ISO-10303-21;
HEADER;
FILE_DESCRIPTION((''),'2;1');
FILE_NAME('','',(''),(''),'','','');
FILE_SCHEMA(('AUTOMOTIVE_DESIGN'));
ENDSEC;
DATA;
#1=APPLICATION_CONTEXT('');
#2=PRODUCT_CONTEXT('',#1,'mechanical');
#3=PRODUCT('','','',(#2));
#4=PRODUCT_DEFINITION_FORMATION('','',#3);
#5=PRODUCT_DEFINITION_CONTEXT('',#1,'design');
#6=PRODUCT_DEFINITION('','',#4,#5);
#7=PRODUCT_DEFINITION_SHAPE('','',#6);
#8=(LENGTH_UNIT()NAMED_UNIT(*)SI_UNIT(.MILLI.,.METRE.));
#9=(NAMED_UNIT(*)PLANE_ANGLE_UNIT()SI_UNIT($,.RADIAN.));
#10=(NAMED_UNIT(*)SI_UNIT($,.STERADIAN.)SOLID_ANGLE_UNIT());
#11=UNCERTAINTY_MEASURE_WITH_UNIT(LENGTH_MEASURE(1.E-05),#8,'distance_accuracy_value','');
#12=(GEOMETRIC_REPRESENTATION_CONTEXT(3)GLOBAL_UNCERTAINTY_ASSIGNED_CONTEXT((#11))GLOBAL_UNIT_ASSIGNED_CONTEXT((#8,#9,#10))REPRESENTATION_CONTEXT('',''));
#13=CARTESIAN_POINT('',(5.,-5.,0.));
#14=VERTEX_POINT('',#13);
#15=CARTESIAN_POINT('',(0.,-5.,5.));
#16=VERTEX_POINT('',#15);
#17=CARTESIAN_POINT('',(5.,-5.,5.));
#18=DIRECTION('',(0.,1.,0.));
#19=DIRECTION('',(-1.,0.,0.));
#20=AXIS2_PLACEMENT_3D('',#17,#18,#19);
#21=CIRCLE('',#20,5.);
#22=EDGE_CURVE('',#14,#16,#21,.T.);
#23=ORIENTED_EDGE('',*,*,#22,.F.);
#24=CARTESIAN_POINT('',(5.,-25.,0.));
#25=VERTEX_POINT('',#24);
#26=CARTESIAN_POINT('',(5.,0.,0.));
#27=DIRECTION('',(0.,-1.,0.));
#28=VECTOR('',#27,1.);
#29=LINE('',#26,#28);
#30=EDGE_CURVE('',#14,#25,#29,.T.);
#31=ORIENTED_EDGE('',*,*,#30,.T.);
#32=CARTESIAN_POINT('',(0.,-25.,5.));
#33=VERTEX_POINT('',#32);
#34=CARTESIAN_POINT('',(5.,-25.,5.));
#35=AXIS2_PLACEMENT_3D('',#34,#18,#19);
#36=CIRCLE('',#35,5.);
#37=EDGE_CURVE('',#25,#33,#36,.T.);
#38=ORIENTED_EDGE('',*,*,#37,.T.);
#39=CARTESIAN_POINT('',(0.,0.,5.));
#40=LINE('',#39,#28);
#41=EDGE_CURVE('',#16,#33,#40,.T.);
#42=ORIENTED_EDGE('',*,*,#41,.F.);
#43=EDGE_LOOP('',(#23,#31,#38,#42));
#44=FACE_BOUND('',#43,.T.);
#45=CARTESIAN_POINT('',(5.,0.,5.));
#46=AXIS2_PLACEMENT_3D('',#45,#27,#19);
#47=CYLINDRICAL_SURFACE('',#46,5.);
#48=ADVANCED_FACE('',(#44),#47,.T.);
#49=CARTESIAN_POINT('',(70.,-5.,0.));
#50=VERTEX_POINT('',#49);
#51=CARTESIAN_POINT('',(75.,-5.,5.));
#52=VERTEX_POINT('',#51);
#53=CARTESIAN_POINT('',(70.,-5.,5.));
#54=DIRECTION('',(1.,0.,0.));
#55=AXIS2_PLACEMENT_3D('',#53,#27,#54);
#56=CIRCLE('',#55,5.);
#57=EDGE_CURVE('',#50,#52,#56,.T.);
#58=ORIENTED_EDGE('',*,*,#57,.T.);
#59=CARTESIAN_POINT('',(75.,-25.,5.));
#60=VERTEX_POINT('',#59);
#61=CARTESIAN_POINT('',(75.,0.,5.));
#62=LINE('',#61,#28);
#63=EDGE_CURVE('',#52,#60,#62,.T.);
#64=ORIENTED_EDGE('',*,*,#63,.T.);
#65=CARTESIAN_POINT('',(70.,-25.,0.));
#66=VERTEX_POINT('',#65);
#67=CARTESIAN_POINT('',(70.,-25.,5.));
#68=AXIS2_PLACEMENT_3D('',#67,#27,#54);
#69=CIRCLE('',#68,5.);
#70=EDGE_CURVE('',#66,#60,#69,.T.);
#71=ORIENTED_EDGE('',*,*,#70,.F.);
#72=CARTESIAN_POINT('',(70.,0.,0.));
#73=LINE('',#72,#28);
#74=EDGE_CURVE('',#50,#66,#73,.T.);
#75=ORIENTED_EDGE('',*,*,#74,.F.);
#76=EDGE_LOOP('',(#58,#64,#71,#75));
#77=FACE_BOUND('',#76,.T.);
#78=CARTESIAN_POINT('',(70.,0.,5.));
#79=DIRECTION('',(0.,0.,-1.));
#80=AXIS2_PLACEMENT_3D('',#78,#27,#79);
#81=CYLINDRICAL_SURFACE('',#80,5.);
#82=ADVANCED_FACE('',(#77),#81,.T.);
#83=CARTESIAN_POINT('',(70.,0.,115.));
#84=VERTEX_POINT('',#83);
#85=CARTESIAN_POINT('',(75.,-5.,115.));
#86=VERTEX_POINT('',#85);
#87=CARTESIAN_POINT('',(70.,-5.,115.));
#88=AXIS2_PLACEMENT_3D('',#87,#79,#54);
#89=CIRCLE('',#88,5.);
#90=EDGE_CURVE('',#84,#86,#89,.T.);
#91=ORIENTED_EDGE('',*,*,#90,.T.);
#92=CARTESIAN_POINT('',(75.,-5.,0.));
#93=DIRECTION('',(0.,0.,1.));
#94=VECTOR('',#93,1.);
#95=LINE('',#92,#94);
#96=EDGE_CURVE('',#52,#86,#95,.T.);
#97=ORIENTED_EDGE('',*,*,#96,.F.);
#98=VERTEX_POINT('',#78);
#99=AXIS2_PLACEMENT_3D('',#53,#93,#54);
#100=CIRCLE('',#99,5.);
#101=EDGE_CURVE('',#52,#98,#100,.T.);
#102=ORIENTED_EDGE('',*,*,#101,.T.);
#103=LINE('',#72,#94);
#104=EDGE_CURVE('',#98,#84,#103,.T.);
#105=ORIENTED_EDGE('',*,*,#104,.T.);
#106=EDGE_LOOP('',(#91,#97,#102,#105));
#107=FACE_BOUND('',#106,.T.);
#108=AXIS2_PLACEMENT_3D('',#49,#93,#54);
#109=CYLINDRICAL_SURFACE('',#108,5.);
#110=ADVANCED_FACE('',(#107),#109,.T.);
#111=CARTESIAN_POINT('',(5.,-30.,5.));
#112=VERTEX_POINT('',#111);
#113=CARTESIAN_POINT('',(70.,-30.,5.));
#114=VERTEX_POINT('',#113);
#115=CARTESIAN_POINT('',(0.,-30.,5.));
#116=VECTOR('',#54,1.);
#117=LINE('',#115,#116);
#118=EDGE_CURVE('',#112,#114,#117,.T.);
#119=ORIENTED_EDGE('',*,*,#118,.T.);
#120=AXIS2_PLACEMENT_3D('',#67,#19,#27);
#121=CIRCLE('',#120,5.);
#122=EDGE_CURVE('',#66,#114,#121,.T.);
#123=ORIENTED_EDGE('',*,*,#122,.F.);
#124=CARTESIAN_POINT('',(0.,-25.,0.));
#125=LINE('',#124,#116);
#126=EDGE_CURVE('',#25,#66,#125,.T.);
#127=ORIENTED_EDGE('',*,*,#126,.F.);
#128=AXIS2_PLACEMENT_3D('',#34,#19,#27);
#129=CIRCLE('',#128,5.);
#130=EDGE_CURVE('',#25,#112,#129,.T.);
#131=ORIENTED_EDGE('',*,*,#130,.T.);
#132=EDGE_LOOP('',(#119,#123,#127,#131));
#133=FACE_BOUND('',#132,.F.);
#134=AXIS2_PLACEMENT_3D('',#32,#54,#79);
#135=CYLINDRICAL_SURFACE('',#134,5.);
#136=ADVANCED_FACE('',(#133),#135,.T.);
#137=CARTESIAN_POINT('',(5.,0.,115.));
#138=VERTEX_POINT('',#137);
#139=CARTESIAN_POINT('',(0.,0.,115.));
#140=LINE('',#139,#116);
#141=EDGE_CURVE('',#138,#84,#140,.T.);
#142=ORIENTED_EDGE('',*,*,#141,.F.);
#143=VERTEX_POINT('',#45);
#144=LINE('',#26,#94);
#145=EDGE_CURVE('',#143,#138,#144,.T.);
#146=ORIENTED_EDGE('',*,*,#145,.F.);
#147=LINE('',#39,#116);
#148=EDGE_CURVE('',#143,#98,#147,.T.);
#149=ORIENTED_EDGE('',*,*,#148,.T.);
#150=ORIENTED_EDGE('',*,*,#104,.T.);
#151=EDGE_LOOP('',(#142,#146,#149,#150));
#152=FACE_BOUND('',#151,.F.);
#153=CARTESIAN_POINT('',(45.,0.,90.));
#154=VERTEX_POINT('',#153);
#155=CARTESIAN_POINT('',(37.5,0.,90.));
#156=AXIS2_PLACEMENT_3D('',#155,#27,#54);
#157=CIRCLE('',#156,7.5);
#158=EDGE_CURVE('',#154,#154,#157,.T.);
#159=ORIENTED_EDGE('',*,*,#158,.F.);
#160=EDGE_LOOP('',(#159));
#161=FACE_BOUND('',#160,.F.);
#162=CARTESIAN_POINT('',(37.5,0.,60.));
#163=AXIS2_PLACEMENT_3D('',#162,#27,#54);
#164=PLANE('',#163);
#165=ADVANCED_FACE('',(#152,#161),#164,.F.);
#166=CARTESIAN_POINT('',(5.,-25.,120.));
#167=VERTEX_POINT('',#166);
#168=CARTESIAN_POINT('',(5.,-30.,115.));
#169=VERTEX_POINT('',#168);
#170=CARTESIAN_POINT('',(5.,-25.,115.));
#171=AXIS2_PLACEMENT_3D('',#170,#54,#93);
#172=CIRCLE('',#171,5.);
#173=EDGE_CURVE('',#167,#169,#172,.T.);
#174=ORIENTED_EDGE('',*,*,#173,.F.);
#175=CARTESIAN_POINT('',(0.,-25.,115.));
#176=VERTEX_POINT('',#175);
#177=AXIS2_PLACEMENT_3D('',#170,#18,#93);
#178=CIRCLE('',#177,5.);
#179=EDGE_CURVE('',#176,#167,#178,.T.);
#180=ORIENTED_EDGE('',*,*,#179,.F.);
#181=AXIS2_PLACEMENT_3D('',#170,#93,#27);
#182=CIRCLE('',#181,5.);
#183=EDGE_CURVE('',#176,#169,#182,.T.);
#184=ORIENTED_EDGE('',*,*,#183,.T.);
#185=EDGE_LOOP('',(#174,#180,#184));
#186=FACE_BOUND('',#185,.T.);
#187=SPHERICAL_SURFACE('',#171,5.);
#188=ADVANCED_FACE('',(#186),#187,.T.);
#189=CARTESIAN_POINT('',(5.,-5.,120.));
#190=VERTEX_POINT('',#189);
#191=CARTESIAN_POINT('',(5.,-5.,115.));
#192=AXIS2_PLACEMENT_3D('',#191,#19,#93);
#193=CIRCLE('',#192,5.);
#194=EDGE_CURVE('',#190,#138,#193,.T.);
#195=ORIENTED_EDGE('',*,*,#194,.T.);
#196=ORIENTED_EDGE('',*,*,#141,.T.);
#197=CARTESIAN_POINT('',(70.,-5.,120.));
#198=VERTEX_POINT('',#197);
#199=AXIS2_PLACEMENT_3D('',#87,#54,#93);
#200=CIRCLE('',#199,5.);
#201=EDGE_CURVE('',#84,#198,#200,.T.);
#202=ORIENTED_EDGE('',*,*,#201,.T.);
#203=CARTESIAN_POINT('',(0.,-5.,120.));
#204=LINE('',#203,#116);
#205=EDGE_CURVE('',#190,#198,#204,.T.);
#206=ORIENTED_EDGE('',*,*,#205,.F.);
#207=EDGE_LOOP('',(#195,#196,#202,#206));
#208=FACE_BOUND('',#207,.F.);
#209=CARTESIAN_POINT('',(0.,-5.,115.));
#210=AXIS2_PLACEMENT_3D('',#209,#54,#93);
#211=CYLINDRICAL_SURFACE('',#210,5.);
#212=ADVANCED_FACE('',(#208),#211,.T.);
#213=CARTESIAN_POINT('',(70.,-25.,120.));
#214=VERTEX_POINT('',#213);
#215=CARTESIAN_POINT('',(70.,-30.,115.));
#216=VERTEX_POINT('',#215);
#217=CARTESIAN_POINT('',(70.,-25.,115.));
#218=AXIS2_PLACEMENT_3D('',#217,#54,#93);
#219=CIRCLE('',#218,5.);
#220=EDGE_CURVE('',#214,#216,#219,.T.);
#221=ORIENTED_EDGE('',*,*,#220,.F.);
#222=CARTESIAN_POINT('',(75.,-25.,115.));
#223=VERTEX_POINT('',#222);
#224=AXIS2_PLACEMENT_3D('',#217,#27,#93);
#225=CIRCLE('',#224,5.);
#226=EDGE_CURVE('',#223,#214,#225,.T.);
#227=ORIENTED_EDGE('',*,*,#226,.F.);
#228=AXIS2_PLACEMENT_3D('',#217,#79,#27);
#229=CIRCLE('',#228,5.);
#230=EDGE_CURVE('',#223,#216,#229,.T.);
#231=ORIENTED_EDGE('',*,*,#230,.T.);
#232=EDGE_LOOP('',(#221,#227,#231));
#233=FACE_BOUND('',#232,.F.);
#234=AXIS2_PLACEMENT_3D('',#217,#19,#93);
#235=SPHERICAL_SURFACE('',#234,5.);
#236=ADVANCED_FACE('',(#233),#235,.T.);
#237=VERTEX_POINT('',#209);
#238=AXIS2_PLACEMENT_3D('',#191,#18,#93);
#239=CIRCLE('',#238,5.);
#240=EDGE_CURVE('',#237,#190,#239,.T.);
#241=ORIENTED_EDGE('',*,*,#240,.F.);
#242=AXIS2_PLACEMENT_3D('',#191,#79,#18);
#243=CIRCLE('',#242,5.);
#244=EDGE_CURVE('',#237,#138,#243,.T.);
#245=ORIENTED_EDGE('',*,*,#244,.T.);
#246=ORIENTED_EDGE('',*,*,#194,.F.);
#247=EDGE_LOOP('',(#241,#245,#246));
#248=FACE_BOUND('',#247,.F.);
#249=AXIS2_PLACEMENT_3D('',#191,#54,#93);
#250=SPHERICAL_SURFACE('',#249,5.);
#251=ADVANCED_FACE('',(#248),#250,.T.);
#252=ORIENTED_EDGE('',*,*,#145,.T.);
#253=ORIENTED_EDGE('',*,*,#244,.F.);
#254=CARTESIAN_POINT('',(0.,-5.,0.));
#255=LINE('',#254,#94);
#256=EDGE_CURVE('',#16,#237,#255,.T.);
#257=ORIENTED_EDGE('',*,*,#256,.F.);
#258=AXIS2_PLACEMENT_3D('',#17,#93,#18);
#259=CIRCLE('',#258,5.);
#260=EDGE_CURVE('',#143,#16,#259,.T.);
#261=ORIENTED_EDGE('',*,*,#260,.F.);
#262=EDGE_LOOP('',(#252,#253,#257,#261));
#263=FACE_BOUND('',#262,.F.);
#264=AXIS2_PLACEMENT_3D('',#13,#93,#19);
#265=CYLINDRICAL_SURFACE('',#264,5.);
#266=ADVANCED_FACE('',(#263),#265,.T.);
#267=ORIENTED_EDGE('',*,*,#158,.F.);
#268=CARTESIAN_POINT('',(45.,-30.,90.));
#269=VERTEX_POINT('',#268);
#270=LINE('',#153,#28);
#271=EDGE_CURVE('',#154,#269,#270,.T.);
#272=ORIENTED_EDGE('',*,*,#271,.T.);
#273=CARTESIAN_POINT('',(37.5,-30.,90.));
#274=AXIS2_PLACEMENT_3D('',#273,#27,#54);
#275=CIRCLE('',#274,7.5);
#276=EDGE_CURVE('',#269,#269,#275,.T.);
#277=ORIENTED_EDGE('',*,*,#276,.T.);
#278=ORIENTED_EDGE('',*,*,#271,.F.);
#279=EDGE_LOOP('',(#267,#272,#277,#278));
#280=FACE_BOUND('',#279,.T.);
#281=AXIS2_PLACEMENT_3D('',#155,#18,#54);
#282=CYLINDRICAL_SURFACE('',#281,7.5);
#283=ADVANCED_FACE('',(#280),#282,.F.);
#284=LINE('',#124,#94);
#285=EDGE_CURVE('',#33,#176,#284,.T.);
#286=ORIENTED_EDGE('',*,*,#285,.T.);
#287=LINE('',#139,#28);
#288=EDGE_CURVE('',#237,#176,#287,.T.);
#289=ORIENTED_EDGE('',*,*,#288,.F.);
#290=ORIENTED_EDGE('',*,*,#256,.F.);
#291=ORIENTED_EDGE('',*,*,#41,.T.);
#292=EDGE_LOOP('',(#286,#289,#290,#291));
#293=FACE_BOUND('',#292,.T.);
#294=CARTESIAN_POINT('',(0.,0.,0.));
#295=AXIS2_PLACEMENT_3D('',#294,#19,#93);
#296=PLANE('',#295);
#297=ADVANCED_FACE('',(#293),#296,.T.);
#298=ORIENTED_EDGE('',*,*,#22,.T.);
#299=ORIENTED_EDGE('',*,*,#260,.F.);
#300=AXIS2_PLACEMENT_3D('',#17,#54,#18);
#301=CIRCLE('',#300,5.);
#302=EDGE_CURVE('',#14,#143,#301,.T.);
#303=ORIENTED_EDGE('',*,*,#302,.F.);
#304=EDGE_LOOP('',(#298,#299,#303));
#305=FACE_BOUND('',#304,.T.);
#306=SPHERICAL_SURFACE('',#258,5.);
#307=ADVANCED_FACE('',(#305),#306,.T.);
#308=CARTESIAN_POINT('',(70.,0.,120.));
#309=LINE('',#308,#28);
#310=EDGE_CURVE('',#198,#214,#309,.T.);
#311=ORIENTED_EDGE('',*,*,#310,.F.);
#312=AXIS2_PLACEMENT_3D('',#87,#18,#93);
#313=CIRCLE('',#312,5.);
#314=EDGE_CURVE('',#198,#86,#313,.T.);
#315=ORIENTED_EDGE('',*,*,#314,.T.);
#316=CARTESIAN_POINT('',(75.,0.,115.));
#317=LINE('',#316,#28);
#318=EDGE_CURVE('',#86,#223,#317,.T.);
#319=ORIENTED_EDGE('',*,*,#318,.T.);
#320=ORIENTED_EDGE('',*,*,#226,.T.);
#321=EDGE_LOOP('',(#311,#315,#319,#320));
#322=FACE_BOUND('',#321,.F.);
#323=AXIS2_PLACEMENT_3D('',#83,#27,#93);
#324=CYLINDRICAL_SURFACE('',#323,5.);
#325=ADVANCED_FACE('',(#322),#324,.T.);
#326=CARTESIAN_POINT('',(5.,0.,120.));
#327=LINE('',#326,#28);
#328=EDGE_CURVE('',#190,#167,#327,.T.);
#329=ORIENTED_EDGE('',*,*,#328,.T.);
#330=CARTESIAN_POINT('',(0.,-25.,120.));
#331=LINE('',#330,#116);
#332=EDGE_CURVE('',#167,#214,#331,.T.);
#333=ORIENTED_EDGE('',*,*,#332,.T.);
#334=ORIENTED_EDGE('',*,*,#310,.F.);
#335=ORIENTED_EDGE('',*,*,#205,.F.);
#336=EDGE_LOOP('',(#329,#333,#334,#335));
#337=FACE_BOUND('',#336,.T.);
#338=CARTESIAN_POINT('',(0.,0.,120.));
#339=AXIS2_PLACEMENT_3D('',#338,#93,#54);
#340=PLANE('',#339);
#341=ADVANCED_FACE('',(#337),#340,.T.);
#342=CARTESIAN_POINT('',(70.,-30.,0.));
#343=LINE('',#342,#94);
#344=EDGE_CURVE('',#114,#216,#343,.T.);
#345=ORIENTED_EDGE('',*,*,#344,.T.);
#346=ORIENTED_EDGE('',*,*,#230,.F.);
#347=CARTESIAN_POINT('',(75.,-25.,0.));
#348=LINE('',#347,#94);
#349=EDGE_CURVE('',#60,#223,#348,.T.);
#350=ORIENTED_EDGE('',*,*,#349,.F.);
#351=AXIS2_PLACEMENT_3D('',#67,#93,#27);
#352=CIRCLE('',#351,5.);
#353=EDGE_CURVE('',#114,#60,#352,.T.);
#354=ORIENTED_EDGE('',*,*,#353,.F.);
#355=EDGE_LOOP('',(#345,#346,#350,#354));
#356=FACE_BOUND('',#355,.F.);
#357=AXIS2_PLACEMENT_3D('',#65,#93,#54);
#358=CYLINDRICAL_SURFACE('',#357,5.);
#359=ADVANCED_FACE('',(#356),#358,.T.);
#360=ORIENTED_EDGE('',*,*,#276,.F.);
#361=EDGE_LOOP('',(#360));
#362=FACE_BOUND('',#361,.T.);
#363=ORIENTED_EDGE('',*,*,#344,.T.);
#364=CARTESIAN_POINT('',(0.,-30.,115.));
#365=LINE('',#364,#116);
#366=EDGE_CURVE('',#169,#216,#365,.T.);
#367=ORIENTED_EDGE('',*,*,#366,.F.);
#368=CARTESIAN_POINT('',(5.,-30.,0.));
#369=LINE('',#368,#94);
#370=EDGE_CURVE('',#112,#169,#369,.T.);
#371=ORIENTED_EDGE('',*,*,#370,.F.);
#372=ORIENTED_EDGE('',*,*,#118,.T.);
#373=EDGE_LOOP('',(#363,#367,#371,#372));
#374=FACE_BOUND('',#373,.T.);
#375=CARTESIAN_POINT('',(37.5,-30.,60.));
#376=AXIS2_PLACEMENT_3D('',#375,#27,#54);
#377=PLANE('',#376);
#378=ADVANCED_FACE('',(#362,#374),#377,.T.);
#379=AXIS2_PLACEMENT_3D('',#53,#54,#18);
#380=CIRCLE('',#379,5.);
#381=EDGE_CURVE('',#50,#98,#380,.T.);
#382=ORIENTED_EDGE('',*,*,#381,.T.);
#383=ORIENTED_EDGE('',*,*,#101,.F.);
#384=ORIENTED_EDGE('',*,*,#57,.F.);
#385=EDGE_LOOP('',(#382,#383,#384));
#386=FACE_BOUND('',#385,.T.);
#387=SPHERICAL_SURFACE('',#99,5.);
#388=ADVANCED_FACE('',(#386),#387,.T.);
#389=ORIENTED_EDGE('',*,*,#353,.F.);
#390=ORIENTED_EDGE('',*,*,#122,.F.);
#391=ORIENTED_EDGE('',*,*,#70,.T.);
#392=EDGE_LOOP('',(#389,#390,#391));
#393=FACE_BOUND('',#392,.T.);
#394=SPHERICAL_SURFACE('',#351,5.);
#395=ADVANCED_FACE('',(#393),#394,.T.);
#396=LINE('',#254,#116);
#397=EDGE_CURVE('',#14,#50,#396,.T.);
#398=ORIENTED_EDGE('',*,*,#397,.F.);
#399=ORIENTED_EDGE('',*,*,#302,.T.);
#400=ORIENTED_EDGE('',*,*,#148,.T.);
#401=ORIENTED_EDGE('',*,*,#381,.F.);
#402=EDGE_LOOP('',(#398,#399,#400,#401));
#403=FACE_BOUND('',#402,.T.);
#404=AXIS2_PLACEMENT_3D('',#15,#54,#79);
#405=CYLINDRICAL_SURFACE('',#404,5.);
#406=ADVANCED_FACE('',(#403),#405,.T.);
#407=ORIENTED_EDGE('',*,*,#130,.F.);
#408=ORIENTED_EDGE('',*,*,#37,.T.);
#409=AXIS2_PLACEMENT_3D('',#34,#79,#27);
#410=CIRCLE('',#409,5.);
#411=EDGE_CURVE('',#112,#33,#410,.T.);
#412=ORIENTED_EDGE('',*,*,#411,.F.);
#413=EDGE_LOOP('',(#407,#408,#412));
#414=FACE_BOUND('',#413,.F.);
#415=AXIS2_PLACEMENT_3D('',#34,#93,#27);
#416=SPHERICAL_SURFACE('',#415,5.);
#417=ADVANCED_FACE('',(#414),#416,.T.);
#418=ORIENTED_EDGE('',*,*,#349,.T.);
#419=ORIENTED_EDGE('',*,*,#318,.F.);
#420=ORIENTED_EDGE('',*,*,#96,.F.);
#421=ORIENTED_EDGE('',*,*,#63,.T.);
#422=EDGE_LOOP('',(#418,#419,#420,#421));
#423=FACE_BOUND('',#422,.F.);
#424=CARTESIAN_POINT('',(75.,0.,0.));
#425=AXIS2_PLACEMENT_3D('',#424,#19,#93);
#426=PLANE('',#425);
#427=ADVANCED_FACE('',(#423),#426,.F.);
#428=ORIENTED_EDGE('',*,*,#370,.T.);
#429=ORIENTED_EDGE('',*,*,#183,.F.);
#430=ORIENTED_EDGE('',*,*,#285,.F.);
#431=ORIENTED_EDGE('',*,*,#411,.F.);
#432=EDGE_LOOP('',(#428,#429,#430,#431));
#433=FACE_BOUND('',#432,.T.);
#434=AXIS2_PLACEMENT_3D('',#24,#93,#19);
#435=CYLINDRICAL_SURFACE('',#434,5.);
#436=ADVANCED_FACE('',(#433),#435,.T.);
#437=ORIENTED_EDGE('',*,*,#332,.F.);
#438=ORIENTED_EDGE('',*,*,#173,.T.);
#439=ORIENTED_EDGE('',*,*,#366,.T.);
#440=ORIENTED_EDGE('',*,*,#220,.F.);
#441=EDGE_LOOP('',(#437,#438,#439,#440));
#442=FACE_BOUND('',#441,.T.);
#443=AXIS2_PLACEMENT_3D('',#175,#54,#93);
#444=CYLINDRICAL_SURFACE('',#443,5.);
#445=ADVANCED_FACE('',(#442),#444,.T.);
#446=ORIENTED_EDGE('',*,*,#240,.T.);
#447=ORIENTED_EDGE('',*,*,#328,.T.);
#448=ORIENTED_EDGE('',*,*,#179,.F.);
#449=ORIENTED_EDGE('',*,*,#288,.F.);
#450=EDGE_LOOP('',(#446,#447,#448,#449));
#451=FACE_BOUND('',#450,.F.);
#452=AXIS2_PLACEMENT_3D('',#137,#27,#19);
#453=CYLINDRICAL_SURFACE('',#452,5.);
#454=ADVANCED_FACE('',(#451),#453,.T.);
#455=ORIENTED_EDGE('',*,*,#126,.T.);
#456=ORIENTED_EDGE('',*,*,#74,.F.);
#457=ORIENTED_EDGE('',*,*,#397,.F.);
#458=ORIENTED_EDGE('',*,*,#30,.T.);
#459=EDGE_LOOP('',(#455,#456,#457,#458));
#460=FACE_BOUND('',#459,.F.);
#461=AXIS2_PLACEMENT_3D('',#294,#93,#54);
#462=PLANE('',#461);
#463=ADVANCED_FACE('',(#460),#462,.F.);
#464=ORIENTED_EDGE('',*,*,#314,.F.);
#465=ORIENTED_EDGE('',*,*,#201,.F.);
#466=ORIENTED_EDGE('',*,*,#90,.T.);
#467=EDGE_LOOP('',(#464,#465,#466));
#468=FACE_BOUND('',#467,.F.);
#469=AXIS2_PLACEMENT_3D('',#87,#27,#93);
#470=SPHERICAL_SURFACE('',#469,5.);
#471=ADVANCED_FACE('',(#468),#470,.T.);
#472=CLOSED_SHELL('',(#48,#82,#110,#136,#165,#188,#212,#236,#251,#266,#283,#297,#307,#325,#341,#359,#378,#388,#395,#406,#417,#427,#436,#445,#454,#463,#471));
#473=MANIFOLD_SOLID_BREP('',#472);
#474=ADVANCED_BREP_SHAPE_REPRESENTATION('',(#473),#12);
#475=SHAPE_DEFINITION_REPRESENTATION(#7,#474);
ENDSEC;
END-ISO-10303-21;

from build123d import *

# Parameters (mm, degrees)
F0_W     = 75
F0_H     = 120
F0_R     = 7.5
F1_DEPTH = 30
F2_R     = 5


with BuildPart() as f1:
    # F0 (on Front) → F1 (new body)
    with BuildSketch(Plane.XZ):
        with Locations((37.5, 60)):
            Rectangle(F0_W, F0_H)
        with Locations((37.5, 90)):
            Circle(F0_R, mode=Mode.SUBTRACT)
    extrude(amount=F1_DEPTH)

    # F2
    f2_edges = [f1.edges().sort_by_distance(p)[0] for p in [
        (37.5, -30, 120),
        (75, -15, 120),
        (37.5, 0, 120),
        (0, -15, 120),
        (0, 0, 60),
        (0, -30, 60),
        (75, 0, 60),
        (75, -30, 60),
        (37.5, -30, 0),
        (75, -15, 0),
        (37.5, 0, 0),
        (0, -15, 0),
    ]]
    fillet(f2_edges, radius=F2_R)


solid = f1.part
